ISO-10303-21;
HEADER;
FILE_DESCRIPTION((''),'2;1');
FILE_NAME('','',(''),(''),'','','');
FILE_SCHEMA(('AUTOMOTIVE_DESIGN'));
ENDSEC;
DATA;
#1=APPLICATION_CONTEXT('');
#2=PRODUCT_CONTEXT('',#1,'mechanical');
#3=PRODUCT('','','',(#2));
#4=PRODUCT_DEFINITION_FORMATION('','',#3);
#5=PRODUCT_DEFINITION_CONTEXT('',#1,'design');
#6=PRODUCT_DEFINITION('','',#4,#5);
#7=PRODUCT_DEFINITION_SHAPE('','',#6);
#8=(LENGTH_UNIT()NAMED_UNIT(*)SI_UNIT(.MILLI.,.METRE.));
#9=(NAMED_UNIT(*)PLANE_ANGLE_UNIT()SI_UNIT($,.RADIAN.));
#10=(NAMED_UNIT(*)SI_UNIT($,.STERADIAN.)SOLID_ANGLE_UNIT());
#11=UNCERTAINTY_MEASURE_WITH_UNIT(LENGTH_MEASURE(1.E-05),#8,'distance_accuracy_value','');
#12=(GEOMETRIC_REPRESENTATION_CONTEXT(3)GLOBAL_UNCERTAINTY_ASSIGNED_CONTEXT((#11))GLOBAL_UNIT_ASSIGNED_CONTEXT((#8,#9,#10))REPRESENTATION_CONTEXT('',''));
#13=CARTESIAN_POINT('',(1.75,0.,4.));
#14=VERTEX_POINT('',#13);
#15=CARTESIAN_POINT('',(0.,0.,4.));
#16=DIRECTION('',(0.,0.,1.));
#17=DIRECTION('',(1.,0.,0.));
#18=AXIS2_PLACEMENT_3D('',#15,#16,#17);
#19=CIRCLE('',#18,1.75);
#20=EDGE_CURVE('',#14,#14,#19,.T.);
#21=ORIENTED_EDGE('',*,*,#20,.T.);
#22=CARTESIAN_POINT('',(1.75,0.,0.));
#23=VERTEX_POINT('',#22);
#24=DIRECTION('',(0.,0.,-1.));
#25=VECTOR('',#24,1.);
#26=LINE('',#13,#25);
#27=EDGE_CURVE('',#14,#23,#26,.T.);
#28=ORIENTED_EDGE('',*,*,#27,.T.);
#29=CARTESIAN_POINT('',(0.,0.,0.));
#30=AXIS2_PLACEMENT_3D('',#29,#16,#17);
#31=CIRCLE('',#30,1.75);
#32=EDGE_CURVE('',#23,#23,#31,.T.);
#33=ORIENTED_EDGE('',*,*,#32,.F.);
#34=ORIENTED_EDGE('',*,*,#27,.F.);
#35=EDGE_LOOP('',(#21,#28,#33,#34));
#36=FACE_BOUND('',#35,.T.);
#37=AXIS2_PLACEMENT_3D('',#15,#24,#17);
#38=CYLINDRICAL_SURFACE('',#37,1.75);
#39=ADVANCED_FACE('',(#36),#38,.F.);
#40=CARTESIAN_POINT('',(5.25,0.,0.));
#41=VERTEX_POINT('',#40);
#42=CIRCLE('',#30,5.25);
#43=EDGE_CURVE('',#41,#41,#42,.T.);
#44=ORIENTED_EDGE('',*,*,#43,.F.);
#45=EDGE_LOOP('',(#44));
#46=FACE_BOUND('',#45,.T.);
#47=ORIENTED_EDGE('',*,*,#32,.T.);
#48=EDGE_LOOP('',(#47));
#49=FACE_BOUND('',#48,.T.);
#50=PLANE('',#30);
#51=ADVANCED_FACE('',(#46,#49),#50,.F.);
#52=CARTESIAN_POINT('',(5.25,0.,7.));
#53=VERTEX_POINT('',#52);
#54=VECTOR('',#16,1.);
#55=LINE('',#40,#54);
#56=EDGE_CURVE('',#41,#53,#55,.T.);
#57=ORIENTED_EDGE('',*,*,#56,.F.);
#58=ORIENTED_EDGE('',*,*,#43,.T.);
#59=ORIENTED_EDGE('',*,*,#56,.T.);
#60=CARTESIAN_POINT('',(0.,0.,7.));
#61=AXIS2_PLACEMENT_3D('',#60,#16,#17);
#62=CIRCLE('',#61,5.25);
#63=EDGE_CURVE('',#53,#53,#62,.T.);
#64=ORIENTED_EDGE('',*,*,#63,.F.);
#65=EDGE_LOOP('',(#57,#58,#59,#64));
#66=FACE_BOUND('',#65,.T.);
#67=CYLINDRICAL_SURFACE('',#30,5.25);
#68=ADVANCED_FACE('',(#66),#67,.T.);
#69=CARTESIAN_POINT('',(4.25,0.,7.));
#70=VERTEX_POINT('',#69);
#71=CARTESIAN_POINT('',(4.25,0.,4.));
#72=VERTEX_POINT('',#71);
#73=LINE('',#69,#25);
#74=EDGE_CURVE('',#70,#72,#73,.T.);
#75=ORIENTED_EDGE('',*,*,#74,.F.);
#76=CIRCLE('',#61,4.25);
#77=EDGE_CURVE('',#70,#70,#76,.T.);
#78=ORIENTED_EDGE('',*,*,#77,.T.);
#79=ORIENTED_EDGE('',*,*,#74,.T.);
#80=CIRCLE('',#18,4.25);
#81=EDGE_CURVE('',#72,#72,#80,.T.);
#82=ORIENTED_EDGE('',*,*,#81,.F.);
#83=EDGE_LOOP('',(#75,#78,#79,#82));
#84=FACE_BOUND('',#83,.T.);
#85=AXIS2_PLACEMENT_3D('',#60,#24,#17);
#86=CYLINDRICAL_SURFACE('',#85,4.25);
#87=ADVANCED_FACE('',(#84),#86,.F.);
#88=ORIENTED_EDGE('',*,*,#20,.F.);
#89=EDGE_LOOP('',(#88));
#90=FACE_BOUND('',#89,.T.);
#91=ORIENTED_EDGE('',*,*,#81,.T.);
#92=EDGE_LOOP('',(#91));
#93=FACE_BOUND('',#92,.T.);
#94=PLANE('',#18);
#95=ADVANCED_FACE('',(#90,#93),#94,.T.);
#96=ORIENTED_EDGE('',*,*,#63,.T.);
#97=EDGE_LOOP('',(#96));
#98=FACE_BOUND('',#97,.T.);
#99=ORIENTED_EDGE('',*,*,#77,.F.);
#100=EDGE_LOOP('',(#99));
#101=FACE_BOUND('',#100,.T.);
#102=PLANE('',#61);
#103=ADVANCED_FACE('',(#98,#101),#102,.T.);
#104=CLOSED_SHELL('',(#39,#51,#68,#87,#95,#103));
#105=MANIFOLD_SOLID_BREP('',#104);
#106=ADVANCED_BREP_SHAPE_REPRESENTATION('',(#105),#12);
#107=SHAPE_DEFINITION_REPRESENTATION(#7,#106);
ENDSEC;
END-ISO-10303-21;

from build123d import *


with BuildPart() as part:
    # Sketch → Revolution (revolve)
    with BuildSketch(Plane.XZ):
        Polygon((1.75, 0), (5.25, 0), (5.25, 7), (4.25, 7), (4.25, 4), (1.75, 4), align=None)
    revolve(axis=Axis((0, 0, 0), (0, 0, 1)))


solid = part.part
